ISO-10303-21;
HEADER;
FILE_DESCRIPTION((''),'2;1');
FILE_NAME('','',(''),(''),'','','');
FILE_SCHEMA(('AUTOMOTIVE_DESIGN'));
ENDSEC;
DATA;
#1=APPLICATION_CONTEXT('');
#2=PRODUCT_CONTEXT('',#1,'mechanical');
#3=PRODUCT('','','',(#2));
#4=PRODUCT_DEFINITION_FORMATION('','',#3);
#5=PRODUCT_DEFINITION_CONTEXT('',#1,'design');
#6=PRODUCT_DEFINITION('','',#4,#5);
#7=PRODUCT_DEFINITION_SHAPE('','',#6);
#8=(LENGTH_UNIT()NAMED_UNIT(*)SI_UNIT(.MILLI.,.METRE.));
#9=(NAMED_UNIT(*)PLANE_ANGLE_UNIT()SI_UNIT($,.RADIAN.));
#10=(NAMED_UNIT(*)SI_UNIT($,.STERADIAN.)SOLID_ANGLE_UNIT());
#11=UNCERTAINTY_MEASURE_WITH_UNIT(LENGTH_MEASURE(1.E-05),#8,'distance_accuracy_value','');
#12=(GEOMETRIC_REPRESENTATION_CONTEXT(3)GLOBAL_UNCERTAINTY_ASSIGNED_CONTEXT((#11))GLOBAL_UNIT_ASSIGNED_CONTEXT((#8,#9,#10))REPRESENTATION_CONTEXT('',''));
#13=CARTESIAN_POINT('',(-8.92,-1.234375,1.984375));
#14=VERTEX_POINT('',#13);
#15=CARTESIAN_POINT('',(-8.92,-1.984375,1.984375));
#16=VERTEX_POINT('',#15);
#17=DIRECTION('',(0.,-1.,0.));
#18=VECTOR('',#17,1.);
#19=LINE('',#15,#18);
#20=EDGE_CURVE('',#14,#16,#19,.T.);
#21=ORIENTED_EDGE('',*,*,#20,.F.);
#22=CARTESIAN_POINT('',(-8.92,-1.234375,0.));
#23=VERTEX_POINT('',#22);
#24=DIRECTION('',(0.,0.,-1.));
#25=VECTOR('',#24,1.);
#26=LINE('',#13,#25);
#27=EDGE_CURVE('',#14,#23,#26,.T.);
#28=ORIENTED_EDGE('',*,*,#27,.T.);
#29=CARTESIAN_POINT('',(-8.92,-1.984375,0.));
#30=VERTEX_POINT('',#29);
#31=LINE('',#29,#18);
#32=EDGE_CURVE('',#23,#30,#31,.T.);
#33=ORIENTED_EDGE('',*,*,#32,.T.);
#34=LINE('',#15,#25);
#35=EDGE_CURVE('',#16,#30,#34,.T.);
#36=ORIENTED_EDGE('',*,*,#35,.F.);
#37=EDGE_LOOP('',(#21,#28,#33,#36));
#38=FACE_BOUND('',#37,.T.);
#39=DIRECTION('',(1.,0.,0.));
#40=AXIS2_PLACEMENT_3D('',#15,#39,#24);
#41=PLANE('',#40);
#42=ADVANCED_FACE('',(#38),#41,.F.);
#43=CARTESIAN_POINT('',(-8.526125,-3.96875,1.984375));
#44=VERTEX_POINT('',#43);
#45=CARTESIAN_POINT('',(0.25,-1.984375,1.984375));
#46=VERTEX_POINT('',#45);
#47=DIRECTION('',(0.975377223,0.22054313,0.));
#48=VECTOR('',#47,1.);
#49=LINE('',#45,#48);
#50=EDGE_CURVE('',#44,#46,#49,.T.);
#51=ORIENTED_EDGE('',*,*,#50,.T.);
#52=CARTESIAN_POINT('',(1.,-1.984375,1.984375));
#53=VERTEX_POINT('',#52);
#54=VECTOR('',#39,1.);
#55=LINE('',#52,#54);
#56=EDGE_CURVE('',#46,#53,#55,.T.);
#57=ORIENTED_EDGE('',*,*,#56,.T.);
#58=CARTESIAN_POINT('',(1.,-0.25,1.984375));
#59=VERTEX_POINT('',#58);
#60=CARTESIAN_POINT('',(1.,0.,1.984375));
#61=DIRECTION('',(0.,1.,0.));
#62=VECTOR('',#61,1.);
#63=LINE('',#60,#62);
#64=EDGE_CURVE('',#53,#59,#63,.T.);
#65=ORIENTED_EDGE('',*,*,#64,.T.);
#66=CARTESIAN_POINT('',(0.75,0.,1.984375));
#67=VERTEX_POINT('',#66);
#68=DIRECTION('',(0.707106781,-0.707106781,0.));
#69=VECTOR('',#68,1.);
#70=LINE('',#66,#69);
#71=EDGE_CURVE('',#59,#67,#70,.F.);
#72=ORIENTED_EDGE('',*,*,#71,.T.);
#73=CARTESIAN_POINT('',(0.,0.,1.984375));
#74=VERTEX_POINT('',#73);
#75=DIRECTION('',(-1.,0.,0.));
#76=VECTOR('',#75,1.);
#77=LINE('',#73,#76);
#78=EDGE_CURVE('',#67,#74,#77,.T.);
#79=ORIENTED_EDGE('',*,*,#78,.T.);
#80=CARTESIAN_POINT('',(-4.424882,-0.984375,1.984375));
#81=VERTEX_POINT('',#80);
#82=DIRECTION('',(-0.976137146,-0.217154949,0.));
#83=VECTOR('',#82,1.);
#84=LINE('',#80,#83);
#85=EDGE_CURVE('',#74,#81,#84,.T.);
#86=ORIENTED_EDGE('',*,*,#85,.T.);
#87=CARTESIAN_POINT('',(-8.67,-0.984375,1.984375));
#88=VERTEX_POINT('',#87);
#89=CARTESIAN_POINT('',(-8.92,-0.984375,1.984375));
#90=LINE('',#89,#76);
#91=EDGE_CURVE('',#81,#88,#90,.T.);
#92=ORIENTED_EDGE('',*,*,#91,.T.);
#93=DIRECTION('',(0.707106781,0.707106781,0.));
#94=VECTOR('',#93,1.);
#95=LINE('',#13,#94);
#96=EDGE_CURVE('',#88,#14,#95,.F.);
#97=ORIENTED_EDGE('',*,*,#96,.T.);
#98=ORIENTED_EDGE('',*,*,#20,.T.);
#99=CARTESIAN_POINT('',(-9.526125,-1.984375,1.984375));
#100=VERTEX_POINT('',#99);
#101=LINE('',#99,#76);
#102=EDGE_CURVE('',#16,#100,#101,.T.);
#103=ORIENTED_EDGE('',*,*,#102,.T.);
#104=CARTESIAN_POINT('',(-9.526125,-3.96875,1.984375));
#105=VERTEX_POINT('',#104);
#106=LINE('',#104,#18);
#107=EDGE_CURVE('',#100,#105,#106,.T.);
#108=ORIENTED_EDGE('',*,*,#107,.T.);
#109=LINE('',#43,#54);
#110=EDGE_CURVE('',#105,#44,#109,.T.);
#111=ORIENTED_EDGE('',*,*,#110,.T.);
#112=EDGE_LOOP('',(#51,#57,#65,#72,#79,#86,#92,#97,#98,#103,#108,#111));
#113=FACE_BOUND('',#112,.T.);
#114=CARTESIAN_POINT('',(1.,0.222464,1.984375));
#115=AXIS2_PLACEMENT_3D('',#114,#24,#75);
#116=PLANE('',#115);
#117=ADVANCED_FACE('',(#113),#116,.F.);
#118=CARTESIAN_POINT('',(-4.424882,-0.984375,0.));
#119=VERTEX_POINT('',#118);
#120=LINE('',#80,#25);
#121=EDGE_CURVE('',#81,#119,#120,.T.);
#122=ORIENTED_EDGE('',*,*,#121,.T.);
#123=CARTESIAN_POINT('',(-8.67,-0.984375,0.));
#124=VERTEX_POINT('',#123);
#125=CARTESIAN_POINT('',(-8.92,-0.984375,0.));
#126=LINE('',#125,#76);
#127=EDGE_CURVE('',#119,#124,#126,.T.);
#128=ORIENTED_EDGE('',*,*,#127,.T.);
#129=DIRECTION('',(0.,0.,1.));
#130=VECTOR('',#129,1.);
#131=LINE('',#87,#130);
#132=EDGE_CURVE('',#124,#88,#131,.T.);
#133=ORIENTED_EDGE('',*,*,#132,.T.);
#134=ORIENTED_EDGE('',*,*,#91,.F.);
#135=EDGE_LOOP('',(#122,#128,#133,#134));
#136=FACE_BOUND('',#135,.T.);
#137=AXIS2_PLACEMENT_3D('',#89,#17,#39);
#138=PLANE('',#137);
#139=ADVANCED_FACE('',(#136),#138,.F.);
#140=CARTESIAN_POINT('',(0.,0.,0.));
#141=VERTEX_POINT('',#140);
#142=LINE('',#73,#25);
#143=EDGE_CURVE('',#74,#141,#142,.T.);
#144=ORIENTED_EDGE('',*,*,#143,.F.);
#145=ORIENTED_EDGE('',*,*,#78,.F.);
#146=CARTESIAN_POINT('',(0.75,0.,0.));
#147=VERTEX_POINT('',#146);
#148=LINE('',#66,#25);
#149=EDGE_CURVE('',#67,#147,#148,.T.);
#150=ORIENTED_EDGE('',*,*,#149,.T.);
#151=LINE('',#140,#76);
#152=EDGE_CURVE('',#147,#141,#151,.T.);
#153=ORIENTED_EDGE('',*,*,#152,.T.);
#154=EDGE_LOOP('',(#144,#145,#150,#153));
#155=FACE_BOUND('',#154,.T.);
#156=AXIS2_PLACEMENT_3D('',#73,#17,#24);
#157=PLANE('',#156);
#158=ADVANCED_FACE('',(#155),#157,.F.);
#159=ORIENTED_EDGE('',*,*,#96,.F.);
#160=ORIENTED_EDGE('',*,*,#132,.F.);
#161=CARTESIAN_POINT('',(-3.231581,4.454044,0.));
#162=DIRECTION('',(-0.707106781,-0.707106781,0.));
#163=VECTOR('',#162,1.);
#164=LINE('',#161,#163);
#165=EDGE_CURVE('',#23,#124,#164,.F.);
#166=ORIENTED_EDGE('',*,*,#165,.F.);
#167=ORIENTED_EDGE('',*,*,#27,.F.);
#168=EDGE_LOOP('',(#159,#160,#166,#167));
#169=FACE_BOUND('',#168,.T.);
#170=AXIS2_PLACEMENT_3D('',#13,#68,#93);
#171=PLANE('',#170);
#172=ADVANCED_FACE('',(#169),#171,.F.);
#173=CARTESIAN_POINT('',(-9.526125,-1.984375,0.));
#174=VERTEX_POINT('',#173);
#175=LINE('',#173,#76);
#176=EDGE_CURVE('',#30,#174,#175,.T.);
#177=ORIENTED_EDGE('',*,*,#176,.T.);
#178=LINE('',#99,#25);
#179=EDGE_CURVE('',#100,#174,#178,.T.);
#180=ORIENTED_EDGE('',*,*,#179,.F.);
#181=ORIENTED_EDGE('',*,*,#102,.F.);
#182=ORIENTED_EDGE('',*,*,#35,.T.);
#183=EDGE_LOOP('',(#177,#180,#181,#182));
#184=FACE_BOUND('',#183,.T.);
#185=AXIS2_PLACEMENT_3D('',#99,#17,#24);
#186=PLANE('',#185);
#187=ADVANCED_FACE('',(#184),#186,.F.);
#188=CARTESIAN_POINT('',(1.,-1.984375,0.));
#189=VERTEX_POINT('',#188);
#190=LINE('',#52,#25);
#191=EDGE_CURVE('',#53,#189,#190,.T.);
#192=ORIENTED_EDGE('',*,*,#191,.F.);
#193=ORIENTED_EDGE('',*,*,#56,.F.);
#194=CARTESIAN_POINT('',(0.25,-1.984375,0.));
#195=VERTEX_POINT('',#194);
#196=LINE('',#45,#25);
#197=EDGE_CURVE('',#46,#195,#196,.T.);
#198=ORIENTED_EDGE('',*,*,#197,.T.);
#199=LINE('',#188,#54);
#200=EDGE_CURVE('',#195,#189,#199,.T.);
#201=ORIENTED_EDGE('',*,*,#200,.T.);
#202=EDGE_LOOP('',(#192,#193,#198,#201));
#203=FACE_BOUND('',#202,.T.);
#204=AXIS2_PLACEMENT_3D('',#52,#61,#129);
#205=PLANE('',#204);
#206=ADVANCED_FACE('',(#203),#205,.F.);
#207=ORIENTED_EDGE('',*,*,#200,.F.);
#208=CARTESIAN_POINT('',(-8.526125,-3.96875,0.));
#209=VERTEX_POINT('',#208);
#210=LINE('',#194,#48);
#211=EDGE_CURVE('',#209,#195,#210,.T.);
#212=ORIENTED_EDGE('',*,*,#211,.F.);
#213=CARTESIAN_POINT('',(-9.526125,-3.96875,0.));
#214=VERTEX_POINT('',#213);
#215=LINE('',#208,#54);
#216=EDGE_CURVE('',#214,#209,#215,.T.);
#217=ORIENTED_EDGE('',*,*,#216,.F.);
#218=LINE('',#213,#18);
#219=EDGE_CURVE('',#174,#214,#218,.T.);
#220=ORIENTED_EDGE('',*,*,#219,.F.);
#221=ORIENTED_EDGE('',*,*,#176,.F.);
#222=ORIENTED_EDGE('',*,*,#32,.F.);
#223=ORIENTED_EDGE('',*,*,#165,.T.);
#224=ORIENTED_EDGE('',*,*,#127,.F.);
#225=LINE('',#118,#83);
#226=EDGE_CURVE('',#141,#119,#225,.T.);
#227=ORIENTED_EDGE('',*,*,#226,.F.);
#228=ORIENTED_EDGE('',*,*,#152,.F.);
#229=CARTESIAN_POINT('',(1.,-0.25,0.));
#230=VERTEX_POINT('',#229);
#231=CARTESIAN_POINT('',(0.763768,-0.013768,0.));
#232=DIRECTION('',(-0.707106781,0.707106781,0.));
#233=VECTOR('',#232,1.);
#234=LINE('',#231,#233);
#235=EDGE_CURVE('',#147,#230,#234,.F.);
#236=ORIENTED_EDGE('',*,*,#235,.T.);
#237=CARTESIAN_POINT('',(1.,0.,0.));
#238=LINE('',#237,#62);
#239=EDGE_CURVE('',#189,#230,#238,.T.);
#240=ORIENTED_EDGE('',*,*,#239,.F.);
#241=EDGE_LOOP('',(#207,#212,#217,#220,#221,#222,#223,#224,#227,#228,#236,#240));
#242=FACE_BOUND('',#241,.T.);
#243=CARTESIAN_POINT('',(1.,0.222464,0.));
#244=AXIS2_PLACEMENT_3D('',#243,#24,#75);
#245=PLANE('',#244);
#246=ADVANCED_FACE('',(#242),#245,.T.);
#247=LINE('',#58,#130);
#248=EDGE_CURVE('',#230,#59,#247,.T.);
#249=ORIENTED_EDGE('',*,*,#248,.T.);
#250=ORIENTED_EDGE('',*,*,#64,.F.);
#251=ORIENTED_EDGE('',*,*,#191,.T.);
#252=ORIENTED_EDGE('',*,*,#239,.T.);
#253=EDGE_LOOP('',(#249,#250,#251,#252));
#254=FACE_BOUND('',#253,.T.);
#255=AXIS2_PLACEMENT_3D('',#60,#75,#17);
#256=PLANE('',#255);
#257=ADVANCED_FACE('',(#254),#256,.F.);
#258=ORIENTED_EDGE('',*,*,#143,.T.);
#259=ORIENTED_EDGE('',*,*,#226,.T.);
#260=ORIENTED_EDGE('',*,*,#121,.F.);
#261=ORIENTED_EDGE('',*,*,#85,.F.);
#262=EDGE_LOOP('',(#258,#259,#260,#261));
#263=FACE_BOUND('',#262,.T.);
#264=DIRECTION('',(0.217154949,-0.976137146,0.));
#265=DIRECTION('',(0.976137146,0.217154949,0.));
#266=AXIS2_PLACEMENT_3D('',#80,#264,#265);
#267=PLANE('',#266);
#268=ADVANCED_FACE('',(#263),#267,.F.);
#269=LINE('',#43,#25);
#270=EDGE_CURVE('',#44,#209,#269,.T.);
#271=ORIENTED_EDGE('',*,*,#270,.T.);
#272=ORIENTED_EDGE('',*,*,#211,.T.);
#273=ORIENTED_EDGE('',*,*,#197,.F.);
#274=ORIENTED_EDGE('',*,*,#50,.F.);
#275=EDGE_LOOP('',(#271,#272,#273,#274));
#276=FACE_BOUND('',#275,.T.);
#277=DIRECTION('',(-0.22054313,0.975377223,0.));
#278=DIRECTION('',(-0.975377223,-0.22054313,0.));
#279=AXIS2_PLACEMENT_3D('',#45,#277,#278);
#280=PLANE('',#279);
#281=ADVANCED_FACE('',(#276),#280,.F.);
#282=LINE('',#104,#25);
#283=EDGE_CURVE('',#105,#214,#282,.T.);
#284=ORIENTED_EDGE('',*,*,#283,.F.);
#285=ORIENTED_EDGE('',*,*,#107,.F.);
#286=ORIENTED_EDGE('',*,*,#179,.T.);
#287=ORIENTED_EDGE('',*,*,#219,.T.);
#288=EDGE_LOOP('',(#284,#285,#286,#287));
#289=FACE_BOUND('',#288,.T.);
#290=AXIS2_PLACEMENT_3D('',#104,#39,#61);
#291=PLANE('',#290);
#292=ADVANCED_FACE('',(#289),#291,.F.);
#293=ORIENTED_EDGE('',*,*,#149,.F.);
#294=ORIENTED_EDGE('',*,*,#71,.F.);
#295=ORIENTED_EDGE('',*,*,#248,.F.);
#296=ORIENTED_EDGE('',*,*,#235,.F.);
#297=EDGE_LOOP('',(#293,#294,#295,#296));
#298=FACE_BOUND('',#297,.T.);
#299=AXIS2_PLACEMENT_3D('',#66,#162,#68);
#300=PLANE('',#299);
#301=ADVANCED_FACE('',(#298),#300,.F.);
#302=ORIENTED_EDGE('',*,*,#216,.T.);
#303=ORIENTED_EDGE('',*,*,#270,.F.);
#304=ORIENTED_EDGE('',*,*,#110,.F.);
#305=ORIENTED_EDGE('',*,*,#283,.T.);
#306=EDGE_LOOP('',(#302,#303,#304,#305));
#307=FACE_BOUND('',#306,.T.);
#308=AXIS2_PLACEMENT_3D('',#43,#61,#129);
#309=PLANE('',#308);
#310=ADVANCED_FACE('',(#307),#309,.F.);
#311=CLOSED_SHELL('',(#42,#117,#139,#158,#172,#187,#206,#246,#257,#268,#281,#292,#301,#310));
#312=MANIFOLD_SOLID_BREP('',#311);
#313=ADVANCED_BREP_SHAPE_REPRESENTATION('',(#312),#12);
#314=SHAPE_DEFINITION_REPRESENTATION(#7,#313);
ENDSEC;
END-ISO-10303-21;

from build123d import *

# Parameters (mm, degrees)
BOSS_EXTRUDE1_DEPTH = 1.984375
CHAMFER1_SIZE       = 0.25


with BuildPart() as part:
    # Sketch1 → Boss-Extrude1 (new body)
    with BuildSketch(Plane.XY):
        Polygon((0, 0), (1, 0), (1, -1.984375), (0.25, -1.984375), (-8.526125475, -3.96875), (-9.526125475, -3.96875), (-9.526125475, -1.984375), (-8.92, -1.984375), (-8.92, -0.984375), (-4.42488189, -0.984375), align=None)
    extrude(amount=BOSS_EXTRUDE1_DEPTH)

    # Chamfer1
    chamfer1_edges = [part.edges().sort_by_distance(p)[0] for p in [
        (1, 0, 0.9921875),
        (-8.92, -0.984375, 0.9921875),
    ]]
    chamfer(chamfer1_edges, length=CHAMFER1_SIZE)


solid = part.part
